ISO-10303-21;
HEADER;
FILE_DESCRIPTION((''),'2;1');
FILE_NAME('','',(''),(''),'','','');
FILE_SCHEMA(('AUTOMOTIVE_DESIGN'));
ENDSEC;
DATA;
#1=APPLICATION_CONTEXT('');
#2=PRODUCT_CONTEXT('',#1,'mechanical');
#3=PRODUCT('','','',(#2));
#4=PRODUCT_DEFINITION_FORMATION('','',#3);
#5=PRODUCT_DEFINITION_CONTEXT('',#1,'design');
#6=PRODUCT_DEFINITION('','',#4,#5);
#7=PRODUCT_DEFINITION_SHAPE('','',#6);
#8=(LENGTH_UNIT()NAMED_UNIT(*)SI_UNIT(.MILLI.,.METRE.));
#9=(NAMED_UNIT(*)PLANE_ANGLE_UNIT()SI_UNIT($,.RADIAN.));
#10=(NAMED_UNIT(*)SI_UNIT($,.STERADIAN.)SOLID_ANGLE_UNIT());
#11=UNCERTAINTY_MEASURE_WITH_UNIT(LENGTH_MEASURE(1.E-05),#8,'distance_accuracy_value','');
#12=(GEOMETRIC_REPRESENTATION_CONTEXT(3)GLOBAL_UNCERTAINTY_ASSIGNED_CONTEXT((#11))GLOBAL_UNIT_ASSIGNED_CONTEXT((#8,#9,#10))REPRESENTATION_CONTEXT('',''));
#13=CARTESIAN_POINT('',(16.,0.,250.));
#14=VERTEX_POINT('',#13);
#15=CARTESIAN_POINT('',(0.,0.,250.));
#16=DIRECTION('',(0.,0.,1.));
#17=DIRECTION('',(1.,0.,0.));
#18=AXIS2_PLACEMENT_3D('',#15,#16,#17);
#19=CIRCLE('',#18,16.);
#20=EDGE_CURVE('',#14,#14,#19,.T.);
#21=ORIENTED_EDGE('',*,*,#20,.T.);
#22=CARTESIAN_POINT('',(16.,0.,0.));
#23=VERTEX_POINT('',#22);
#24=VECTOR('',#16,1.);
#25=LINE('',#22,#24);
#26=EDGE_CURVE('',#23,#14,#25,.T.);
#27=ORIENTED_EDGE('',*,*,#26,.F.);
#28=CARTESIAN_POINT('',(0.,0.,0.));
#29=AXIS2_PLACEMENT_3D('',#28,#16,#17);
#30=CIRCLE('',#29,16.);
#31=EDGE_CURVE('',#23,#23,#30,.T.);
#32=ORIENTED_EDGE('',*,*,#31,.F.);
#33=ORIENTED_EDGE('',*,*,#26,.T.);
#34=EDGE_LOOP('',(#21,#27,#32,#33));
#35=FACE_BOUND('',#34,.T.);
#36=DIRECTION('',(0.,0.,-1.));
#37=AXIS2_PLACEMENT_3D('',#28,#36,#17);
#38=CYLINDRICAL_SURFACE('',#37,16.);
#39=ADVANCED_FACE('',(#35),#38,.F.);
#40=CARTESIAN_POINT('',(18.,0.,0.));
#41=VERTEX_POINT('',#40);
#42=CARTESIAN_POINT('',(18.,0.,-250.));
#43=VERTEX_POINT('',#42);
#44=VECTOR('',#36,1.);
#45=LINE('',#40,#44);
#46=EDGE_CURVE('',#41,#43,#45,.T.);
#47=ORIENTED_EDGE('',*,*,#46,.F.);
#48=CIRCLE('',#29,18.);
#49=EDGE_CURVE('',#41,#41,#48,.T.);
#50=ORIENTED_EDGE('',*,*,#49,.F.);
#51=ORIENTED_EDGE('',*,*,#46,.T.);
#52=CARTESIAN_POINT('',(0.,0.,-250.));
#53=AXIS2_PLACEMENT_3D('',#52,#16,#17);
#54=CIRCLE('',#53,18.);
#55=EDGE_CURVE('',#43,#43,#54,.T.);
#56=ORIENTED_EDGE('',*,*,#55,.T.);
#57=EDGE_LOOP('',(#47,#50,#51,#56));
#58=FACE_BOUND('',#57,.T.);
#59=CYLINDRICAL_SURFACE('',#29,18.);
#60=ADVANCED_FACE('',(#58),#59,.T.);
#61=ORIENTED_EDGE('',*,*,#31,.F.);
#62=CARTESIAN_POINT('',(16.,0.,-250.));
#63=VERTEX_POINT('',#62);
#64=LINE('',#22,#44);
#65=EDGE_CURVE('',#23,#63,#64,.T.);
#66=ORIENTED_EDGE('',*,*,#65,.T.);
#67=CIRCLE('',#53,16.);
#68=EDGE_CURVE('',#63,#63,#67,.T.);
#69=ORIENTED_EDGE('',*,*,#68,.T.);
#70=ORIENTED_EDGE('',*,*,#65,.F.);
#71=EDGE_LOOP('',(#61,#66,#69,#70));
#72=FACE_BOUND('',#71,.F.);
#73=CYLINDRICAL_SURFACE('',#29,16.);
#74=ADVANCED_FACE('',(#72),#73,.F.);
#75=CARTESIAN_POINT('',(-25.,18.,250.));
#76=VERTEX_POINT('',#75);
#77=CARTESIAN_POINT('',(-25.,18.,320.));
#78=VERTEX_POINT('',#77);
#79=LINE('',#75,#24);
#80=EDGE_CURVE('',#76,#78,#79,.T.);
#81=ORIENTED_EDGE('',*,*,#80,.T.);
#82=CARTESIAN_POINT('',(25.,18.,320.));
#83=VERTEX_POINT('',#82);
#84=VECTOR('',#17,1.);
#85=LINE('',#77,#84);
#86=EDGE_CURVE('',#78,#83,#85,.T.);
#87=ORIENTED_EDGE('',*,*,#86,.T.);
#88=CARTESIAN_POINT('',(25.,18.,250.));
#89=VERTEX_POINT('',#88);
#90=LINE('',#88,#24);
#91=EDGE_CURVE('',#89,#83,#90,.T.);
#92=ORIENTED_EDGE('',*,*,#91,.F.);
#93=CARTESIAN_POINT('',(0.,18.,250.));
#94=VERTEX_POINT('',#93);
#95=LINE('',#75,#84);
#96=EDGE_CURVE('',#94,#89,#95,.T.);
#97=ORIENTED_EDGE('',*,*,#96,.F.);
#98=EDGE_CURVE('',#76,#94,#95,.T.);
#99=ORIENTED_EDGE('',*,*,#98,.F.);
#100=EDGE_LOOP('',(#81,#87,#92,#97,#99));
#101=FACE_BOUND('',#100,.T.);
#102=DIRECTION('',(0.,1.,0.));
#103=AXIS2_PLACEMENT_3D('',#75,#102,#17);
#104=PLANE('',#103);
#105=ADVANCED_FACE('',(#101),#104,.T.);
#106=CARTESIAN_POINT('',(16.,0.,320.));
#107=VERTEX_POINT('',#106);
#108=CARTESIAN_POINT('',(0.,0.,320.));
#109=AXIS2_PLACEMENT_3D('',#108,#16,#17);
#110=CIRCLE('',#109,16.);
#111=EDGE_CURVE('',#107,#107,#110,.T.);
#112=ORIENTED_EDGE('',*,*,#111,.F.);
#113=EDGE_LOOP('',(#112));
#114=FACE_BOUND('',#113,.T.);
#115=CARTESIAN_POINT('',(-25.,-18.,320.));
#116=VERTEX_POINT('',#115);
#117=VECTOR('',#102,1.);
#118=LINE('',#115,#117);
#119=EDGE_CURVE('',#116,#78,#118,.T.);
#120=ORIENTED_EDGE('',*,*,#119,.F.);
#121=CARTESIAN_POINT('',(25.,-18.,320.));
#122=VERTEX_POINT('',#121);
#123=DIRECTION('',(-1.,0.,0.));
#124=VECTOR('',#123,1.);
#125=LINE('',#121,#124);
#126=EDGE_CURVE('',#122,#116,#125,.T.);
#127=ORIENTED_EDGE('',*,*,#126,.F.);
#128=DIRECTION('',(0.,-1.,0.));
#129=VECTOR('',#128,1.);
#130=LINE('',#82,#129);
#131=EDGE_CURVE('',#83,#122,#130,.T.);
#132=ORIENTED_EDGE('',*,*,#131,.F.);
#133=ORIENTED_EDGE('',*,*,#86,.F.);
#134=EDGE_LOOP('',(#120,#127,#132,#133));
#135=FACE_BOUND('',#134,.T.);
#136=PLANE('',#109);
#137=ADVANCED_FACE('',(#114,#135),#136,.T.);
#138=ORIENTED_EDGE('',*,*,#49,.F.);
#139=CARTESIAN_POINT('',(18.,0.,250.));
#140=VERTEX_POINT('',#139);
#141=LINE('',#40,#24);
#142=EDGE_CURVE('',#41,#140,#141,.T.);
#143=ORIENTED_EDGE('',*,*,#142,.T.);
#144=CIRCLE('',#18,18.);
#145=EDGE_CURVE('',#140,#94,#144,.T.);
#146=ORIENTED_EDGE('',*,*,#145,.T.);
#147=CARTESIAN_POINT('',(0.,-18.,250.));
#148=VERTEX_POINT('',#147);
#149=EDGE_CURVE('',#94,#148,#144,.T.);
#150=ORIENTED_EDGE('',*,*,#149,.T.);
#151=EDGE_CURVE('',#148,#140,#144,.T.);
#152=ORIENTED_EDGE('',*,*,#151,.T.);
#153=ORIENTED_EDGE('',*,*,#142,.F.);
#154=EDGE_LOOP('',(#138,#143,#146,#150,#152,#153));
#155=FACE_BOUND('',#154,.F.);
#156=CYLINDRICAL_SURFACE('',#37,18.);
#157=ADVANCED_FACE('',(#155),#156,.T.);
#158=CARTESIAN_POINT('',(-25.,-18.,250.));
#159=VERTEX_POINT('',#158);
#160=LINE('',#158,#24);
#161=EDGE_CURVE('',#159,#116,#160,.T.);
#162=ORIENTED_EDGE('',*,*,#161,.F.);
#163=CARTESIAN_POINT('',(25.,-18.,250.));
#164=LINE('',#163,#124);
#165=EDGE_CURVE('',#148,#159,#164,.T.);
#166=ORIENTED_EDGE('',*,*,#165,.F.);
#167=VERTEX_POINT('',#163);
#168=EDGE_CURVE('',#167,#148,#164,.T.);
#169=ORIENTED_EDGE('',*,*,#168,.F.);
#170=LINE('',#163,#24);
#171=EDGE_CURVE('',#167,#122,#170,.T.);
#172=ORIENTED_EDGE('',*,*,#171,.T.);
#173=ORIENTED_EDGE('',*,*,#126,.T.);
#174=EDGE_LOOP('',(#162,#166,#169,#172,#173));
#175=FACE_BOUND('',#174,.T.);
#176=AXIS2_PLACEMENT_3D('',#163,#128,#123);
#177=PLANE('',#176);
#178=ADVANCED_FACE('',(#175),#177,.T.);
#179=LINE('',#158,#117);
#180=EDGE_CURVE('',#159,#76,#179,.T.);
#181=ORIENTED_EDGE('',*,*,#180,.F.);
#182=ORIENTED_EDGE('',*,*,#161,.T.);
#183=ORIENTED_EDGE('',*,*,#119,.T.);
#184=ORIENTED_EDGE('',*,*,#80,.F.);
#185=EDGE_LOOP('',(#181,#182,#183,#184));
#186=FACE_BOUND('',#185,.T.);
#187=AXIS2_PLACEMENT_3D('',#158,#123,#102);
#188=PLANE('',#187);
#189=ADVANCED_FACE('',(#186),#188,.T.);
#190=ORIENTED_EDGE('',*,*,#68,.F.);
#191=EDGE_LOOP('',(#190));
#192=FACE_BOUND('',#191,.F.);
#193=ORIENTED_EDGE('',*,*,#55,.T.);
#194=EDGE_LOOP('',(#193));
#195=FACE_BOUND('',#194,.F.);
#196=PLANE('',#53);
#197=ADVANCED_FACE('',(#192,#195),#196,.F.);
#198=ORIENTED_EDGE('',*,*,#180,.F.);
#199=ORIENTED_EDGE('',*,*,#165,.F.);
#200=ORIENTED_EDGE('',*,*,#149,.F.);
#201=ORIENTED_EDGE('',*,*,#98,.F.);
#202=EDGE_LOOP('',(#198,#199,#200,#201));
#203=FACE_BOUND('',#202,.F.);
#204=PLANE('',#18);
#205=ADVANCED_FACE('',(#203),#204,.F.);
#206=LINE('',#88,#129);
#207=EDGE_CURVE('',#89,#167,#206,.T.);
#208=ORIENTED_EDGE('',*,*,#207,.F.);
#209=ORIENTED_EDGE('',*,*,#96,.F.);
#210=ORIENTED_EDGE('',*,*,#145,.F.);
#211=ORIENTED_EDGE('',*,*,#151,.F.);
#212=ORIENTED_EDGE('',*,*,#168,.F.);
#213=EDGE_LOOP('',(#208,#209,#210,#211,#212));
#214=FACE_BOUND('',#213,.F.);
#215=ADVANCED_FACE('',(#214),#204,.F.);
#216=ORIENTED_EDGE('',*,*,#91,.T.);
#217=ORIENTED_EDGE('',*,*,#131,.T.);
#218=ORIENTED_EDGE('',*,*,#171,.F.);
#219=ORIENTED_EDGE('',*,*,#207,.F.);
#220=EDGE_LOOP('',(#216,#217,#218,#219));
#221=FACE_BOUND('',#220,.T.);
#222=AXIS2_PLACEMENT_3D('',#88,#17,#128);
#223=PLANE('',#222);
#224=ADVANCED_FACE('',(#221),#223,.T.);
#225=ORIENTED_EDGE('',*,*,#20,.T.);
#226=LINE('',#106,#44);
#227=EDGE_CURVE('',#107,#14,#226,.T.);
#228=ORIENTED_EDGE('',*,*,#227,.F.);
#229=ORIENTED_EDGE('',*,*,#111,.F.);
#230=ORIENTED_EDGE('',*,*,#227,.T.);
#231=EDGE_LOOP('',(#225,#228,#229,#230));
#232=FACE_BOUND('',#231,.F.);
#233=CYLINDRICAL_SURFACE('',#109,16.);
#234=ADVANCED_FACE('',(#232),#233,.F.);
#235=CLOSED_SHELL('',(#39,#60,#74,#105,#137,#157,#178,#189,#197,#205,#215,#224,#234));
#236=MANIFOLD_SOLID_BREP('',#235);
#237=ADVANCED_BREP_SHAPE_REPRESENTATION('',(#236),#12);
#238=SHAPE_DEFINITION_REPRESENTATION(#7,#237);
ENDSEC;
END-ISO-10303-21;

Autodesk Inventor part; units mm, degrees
ref_plane "YZ Plane" through (0, 0, 0) normal (1, 0, 0) x (0, 1, 0)
ref_plane "XZ Plane" through (0, 0, 0) normal (0, 1, 0) x (-1, 0, 0)
ref_plane "XY Plane" through (0, 0, 0) normal (0, 0, 1) x (1, 0, 0)
sketch "스케치1" plane through (0, 0, 0) normal (0, 0, 1) x (1, 0, 0)
  circle A0 centre (0, 0) radius 18
  circle A1 centre (0, 0) radius 16
  dimension "d0" = 36
  dimension "d1" = 32
extrude "돌출1" add sketch "스케치1" along normal mid plane 500
sketch "스케치2" plane through (0, 0, 250) normal (0, 0, 1) x (1, 0, 0)
  line L0 (-25, 18) -> (25, 18)
  line L1 (25, 18) -> (25, -18)
  line L2 (25, -18) -> (-25, -18)
  line L3 (-25, -18) -> (-25, 18)
  line L4 (-25, 18) -> (25, -18) construction
  line L5 (25, 18) -> (-25, -18) construction
  point P0 (0, 0)
  dimension "d4" = 50
extrude "돌출2" add sketch "스케치2" along normal blind 70
sketch "스케치3" plane through (0, 0, 320) normal (0, 0, 1) x (1, 0, 0)
  circle A0 centre (0, 0) radius 16
extrude "돌출3" cut sketch "스케치3" against normal blind 70
properties part number "motor_arm"
